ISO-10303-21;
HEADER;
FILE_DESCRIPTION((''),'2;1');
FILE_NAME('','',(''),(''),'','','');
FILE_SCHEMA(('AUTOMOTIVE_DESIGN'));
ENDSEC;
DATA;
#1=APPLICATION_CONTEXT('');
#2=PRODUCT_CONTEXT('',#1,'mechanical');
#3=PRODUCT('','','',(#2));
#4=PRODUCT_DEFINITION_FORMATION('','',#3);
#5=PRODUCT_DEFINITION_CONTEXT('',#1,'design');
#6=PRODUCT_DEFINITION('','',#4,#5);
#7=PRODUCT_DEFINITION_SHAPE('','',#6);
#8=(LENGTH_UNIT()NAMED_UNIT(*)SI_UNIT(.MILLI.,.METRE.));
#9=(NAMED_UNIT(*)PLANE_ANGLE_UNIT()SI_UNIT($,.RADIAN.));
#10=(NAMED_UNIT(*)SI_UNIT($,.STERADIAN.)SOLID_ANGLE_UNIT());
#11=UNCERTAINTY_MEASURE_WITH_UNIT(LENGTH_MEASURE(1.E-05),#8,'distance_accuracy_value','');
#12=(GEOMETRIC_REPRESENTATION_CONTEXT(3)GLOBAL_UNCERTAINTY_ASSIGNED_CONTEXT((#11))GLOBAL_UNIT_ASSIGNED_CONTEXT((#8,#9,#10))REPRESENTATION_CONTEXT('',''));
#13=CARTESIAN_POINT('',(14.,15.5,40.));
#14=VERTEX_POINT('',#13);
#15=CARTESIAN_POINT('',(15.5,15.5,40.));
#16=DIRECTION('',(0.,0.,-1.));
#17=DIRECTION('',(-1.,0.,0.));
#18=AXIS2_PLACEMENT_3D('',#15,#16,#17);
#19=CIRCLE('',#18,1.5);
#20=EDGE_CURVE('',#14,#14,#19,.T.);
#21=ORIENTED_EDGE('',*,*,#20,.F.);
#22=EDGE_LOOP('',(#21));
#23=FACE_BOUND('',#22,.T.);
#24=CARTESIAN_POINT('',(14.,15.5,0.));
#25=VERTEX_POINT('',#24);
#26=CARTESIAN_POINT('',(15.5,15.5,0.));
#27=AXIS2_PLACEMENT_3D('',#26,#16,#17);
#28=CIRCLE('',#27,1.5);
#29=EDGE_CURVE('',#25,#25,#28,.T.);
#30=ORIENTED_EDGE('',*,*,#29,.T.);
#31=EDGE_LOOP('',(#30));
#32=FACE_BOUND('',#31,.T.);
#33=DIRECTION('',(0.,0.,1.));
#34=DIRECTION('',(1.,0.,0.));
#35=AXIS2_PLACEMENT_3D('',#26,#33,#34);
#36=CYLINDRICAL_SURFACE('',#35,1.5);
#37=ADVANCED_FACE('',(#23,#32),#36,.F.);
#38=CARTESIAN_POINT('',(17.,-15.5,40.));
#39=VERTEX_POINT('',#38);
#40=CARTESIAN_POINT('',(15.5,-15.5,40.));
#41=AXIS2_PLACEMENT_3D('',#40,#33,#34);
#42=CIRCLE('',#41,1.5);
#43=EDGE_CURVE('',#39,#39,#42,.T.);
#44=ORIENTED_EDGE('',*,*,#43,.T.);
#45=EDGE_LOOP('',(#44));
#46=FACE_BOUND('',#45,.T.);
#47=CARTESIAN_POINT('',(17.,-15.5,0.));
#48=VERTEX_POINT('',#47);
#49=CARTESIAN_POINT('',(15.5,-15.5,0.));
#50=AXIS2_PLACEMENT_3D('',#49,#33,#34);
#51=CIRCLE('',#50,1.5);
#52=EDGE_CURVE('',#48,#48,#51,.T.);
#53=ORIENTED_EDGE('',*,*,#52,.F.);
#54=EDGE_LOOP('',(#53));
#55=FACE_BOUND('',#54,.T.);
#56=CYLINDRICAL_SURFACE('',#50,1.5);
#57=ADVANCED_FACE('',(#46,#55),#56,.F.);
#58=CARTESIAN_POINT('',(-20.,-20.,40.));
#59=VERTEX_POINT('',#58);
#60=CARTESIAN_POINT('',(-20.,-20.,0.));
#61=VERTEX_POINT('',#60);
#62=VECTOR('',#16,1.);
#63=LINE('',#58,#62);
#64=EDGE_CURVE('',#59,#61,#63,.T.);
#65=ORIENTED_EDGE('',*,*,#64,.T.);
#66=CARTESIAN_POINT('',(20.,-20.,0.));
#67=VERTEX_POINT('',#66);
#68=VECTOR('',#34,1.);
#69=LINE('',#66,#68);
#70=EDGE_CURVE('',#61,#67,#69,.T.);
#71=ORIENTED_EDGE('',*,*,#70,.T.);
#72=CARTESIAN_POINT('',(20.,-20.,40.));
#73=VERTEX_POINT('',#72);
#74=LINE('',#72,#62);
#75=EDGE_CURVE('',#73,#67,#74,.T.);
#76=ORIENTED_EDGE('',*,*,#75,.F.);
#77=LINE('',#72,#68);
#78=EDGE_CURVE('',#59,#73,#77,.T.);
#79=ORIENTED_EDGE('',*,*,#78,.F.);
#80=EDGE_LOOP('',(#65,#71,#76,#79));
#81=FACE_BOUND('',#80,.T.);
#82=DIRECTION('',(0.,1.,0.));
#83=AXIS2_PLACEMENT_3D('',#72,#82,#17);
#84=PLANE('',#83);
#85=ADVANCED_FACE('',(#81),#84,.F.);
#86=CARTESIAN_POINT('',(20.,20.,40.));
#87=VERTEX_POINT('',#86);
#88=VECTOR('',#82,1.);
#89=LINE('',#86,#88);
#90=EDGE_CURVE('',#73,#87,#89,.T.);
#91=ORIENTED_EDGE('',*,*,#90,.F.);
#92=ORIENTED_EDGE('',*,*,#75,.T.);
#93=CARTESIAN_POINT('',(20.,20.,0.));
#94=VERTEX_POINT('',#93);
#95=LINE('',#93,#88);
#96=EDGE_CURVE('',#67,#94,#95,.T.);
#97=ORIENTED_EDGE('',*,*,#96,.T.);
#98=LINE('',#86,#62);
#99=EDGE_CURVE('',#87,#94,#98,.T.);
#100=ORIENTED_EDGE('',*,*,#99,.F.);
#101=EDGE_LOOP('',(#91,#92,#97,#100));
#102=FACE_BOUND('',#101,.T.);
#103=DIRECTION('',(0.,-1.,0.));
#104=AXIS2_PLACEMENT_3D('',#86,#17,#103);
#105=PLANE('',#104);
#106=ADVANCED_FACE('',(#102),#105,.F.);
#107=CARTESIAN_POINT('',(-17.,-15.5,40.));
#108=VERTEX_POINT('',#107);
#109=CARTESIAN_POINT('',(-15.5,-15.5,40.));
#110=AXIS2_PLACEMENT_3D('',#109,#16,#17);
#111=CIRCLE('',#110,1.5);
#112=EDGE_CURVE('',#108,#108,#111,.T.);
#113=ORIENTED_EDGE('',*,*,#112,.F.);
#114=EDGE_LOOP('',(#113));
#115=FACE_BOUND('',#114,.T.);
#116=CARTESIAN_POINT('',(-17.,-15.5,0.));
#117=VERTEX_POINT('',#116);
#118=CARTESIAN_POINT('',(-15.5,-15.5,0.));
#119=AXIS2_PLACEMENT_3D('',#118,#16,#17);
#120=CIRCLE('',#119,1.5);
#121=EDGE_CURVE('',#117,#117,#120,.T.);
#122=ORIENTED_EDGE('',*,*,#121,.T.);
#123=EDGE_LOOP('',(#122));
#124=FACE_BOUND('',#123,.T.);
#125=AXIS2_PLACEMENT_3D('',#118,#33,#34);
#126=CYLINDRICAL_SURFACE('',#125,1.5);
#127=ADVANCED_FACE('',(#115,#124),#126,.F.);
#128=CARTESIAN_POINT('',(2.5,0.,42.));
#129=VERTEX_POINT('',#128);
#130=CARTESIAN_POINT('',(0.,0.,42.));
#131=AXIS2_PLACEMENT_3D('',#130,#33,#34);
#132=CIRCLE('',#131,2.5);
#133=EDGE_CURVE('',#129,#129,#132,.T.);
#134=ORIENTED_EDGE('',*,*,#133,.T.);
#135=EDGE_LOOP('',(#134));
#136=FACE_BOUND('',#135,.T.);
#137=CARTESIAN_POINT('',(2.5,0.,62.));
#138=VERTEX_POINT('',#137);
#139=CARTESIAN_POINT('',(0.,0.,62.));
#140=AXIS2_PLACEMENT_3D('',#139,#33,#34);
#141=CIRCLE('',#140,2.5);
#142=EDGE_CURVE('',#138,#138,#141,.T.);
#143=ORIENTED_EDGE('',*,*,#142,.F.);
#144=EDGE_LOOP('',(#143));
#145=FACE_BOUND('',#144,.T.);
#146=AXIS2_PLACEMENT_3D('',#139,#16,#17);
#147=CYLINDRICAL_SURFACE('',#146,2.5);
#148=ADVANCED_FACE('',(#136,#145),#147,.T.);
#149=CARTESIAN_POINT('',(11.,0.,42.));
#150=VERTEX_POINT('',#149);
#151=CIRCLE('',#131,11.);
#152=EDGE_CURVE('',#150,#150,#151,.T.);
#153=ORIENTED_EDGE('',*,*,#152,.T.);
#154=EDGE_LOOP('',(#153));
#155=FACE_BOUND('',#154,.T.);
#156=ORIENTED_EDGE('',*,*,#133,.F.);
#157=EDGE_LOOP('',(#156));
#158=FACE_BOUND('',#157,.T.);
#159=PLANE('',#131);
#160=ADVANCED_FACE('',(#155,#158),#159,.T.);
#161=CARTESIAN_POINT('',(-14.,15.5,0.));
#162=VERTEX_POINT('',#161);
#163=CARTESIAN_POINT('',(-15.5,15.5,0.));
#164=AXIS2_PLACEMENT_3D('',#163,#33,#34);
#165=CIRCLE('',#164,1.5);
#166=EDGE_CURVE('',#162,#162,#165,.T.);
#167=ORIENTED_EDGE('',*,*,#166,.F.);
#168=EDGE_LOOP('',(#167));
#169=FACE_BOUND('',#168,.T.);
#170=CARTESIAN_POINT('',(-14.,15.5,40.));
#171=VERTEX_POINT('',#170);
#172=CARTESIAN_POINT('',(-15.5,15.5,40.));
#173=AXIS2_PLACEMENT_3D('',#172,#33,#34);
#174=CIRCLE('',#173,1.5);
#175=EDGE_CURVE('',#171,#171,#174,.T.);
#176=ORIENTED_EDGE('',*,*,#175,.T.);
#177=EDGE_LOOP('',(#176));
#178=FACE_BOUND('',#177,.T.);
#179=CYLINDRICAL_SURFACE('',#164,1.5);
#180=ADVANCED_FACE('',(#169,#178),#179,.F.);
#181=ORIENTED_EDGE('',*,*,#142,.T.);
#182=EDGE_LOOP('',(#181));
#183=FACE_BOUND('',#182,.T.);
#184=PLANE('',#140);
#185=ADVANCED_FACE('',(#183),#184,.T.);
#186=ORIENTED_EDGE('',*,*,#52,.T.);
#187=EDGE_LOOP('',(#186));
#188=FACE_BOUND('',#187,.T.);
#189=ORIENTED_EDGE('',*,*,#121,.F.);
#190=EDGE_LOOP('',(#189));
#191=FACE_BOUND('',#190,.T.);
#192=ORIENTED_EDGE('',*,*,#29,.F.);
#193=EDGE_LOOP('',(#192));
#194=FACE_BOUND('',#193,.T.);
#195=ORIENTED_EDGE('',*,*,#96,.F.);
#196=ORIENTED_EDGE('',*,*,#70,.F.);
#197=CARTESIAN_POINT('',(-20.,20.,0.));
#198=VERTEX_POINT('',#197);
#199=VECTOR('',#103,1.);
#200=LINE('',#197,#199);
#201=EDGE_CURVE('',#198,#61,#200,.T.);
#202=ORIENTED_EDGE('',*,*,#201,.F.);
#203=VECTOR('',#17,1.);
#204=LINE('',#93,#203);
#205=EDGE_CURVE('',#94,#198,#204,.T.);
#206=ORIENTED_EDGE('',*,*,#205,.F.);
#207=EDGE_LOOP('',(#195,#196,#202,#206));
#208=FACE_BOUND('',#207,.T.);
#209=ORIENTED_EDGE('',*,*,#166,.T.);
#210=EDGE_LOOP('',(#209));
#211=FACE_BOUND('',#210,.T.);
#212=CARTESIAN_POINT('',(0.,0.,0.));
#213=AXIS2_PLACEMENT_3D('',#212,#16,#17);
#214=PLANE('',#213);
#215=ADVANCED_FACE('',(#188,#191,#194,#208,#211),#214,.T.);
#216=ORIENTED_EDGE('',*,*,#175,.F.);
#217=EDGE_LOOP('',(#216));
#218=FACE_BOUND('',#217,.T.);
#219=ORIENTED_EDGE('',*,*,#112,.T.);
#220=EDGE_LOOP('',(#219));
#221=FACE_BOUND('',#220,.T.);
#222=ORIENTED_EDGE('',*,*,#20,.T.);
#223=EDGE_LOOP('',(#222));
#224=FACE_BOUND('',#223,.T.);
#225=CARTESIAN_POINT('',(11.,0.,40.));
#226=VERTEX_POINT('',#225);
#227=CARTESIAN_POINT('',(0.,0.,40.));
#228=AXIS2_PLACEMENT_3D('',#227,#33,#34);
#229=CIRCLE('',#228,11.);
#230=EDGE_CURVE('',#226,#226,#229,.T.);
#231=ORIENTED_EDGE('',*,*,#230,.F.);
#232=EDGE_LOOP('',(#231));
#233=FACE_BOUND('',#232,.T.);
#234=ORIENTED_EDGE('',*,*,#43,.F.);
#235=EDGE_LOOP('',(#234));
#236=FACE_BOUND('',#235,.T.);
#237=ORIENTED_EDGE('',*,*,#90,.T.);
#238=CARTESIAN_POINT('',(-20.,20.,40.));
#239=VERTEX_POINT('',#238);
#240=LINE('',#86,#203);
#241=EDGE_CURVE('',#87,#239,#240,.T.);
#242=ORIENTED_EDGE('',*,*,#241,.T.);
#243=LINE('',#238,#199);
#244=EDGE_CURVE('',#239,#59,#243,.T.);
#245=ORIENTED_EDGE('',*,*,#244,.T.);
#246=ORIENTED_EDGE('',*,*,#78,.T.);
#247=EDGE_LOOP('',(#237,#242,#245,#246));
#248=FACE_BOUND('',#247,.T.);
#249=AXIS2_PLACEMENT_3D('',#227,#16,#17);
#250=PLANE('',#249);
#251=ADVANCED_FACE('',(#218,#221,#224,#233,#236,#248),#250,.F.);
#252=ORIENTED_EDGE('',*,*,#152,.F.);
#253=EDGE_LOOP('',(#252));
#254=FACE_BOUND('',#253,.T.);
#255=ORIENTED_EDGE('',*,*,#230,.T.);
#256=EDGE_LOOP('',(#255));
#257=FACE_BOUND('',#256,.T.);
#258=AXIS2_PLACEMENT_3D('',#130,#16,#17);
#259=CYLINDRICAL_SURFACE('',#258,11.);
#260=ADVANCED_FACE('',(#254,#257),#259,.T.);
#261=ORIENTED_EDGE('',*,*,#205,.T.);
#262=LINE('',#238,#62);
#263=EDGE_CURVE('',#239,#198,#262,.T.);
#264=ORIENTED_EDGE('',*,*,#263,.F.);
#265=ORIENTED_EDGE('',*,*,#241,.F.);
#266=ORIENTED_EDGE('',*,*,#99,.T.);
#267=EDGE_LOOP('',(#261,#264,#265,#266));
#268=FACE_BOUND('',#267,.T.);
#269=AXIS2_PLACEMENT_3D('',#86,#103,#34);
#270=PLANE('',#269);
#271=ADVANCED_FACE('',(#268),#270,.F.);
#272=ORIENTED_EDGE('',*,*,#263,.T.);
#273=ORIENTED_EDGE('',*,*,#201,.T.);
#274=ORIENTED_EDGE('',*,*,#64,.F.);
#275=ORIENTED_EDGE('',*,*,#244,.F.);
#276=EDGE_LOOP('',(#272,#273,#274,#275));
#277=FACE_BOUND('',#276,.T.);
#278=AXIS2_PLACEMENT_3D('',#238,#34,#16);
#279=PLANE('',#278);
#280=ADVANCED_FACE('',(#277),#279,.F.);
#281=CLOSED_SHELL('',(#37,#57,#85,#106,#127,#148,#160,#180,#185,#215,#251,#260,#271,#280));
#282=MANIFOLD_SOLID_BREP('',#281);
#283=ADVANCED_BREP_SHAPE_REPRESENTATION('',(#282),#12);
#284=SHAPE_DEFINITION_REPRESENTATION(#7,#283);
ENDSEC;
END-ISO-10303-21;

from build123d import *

# Parameters (mm, degrees)
SKETCH1_W           = 40
SKETCH1_H           = 40
BOSS_EXTRUDE1_DEPTH = 40
SKETCH2_R           = 11
BOSS_EXTRUDE2_DEPTH = 2
SKETCH3_R           = 2.5
BOSS_EXTRUDE3_DEPTH = 20
SKETCH4_R           = 1.5
CUT_EXTRUDE1_DEPTH  = 49.989794856
SKETCH4_3_R         = 1.5
CUT_EXTRUDE2_DEPTH  = 49.989794856


with BuildPart() as part:
    # Sketch1 → Boss-Extrude1 (new body)
    with BuildSketch(Plane.XY):
        Rectangle(SKETCH1_W, SKETCH1_H)
    extrude(amount=BOSS_EXTRUDE1_DEPTH)

    # Sketch2 → Boss-Extrude2 (add)
    with BuildSketch(Plane.XY.offset(40)):
        Circle(SKETCH2_R)
    extrude(amount=BOSS_EXTRUDE2_DEPTH)

    # Sketch3 → Boss-Extrude3 (add)
    with BuildSketch(Plane.XY.offset(42)):
        Circle(SKETCH3_R)
    extrude(amount=BOSS_EXTRUDE3_DEPTH)

    # Sketch4 → Cut-Extrude1 (cut, through all)
    with BuildSketch(Plane.XY.offset(40)):
        with Locations((-15.5, 15.5)):
            Circle(SKETCH4_R)
        with Locations((-15.5, -15.5)):
            Circle(SKETCH4_R)
        with Locations((15.5, 15.5)):
            Circle(SKETCH4_R)
    extrude(amount=-CUT_EXTRUDE1_DEPTH, mode=Mode.SUBTRACT)

    # Sketch4<3> → Cut-Extrude2 (cut, through all)
    with BuildSketch(Plane.XY.offset(40)):
        with Locations((-15.5, 15.5)):
            Circle(SKETCH4_3_R)
        with Locations((-15.5, -15.5)):
            Circle(SKETCH4_3_R)
        with Locations((15.5, -15.5)):
            Circle(SKETCH4_3_R)
        with Locations((15.5, 15.5)):
            Circle(SKETCH4_3_R)
    extrude(amount=-CUT_EXTRUDE2_DEPTH, mode=Mode.SUBTRACT)


solid = part.part
